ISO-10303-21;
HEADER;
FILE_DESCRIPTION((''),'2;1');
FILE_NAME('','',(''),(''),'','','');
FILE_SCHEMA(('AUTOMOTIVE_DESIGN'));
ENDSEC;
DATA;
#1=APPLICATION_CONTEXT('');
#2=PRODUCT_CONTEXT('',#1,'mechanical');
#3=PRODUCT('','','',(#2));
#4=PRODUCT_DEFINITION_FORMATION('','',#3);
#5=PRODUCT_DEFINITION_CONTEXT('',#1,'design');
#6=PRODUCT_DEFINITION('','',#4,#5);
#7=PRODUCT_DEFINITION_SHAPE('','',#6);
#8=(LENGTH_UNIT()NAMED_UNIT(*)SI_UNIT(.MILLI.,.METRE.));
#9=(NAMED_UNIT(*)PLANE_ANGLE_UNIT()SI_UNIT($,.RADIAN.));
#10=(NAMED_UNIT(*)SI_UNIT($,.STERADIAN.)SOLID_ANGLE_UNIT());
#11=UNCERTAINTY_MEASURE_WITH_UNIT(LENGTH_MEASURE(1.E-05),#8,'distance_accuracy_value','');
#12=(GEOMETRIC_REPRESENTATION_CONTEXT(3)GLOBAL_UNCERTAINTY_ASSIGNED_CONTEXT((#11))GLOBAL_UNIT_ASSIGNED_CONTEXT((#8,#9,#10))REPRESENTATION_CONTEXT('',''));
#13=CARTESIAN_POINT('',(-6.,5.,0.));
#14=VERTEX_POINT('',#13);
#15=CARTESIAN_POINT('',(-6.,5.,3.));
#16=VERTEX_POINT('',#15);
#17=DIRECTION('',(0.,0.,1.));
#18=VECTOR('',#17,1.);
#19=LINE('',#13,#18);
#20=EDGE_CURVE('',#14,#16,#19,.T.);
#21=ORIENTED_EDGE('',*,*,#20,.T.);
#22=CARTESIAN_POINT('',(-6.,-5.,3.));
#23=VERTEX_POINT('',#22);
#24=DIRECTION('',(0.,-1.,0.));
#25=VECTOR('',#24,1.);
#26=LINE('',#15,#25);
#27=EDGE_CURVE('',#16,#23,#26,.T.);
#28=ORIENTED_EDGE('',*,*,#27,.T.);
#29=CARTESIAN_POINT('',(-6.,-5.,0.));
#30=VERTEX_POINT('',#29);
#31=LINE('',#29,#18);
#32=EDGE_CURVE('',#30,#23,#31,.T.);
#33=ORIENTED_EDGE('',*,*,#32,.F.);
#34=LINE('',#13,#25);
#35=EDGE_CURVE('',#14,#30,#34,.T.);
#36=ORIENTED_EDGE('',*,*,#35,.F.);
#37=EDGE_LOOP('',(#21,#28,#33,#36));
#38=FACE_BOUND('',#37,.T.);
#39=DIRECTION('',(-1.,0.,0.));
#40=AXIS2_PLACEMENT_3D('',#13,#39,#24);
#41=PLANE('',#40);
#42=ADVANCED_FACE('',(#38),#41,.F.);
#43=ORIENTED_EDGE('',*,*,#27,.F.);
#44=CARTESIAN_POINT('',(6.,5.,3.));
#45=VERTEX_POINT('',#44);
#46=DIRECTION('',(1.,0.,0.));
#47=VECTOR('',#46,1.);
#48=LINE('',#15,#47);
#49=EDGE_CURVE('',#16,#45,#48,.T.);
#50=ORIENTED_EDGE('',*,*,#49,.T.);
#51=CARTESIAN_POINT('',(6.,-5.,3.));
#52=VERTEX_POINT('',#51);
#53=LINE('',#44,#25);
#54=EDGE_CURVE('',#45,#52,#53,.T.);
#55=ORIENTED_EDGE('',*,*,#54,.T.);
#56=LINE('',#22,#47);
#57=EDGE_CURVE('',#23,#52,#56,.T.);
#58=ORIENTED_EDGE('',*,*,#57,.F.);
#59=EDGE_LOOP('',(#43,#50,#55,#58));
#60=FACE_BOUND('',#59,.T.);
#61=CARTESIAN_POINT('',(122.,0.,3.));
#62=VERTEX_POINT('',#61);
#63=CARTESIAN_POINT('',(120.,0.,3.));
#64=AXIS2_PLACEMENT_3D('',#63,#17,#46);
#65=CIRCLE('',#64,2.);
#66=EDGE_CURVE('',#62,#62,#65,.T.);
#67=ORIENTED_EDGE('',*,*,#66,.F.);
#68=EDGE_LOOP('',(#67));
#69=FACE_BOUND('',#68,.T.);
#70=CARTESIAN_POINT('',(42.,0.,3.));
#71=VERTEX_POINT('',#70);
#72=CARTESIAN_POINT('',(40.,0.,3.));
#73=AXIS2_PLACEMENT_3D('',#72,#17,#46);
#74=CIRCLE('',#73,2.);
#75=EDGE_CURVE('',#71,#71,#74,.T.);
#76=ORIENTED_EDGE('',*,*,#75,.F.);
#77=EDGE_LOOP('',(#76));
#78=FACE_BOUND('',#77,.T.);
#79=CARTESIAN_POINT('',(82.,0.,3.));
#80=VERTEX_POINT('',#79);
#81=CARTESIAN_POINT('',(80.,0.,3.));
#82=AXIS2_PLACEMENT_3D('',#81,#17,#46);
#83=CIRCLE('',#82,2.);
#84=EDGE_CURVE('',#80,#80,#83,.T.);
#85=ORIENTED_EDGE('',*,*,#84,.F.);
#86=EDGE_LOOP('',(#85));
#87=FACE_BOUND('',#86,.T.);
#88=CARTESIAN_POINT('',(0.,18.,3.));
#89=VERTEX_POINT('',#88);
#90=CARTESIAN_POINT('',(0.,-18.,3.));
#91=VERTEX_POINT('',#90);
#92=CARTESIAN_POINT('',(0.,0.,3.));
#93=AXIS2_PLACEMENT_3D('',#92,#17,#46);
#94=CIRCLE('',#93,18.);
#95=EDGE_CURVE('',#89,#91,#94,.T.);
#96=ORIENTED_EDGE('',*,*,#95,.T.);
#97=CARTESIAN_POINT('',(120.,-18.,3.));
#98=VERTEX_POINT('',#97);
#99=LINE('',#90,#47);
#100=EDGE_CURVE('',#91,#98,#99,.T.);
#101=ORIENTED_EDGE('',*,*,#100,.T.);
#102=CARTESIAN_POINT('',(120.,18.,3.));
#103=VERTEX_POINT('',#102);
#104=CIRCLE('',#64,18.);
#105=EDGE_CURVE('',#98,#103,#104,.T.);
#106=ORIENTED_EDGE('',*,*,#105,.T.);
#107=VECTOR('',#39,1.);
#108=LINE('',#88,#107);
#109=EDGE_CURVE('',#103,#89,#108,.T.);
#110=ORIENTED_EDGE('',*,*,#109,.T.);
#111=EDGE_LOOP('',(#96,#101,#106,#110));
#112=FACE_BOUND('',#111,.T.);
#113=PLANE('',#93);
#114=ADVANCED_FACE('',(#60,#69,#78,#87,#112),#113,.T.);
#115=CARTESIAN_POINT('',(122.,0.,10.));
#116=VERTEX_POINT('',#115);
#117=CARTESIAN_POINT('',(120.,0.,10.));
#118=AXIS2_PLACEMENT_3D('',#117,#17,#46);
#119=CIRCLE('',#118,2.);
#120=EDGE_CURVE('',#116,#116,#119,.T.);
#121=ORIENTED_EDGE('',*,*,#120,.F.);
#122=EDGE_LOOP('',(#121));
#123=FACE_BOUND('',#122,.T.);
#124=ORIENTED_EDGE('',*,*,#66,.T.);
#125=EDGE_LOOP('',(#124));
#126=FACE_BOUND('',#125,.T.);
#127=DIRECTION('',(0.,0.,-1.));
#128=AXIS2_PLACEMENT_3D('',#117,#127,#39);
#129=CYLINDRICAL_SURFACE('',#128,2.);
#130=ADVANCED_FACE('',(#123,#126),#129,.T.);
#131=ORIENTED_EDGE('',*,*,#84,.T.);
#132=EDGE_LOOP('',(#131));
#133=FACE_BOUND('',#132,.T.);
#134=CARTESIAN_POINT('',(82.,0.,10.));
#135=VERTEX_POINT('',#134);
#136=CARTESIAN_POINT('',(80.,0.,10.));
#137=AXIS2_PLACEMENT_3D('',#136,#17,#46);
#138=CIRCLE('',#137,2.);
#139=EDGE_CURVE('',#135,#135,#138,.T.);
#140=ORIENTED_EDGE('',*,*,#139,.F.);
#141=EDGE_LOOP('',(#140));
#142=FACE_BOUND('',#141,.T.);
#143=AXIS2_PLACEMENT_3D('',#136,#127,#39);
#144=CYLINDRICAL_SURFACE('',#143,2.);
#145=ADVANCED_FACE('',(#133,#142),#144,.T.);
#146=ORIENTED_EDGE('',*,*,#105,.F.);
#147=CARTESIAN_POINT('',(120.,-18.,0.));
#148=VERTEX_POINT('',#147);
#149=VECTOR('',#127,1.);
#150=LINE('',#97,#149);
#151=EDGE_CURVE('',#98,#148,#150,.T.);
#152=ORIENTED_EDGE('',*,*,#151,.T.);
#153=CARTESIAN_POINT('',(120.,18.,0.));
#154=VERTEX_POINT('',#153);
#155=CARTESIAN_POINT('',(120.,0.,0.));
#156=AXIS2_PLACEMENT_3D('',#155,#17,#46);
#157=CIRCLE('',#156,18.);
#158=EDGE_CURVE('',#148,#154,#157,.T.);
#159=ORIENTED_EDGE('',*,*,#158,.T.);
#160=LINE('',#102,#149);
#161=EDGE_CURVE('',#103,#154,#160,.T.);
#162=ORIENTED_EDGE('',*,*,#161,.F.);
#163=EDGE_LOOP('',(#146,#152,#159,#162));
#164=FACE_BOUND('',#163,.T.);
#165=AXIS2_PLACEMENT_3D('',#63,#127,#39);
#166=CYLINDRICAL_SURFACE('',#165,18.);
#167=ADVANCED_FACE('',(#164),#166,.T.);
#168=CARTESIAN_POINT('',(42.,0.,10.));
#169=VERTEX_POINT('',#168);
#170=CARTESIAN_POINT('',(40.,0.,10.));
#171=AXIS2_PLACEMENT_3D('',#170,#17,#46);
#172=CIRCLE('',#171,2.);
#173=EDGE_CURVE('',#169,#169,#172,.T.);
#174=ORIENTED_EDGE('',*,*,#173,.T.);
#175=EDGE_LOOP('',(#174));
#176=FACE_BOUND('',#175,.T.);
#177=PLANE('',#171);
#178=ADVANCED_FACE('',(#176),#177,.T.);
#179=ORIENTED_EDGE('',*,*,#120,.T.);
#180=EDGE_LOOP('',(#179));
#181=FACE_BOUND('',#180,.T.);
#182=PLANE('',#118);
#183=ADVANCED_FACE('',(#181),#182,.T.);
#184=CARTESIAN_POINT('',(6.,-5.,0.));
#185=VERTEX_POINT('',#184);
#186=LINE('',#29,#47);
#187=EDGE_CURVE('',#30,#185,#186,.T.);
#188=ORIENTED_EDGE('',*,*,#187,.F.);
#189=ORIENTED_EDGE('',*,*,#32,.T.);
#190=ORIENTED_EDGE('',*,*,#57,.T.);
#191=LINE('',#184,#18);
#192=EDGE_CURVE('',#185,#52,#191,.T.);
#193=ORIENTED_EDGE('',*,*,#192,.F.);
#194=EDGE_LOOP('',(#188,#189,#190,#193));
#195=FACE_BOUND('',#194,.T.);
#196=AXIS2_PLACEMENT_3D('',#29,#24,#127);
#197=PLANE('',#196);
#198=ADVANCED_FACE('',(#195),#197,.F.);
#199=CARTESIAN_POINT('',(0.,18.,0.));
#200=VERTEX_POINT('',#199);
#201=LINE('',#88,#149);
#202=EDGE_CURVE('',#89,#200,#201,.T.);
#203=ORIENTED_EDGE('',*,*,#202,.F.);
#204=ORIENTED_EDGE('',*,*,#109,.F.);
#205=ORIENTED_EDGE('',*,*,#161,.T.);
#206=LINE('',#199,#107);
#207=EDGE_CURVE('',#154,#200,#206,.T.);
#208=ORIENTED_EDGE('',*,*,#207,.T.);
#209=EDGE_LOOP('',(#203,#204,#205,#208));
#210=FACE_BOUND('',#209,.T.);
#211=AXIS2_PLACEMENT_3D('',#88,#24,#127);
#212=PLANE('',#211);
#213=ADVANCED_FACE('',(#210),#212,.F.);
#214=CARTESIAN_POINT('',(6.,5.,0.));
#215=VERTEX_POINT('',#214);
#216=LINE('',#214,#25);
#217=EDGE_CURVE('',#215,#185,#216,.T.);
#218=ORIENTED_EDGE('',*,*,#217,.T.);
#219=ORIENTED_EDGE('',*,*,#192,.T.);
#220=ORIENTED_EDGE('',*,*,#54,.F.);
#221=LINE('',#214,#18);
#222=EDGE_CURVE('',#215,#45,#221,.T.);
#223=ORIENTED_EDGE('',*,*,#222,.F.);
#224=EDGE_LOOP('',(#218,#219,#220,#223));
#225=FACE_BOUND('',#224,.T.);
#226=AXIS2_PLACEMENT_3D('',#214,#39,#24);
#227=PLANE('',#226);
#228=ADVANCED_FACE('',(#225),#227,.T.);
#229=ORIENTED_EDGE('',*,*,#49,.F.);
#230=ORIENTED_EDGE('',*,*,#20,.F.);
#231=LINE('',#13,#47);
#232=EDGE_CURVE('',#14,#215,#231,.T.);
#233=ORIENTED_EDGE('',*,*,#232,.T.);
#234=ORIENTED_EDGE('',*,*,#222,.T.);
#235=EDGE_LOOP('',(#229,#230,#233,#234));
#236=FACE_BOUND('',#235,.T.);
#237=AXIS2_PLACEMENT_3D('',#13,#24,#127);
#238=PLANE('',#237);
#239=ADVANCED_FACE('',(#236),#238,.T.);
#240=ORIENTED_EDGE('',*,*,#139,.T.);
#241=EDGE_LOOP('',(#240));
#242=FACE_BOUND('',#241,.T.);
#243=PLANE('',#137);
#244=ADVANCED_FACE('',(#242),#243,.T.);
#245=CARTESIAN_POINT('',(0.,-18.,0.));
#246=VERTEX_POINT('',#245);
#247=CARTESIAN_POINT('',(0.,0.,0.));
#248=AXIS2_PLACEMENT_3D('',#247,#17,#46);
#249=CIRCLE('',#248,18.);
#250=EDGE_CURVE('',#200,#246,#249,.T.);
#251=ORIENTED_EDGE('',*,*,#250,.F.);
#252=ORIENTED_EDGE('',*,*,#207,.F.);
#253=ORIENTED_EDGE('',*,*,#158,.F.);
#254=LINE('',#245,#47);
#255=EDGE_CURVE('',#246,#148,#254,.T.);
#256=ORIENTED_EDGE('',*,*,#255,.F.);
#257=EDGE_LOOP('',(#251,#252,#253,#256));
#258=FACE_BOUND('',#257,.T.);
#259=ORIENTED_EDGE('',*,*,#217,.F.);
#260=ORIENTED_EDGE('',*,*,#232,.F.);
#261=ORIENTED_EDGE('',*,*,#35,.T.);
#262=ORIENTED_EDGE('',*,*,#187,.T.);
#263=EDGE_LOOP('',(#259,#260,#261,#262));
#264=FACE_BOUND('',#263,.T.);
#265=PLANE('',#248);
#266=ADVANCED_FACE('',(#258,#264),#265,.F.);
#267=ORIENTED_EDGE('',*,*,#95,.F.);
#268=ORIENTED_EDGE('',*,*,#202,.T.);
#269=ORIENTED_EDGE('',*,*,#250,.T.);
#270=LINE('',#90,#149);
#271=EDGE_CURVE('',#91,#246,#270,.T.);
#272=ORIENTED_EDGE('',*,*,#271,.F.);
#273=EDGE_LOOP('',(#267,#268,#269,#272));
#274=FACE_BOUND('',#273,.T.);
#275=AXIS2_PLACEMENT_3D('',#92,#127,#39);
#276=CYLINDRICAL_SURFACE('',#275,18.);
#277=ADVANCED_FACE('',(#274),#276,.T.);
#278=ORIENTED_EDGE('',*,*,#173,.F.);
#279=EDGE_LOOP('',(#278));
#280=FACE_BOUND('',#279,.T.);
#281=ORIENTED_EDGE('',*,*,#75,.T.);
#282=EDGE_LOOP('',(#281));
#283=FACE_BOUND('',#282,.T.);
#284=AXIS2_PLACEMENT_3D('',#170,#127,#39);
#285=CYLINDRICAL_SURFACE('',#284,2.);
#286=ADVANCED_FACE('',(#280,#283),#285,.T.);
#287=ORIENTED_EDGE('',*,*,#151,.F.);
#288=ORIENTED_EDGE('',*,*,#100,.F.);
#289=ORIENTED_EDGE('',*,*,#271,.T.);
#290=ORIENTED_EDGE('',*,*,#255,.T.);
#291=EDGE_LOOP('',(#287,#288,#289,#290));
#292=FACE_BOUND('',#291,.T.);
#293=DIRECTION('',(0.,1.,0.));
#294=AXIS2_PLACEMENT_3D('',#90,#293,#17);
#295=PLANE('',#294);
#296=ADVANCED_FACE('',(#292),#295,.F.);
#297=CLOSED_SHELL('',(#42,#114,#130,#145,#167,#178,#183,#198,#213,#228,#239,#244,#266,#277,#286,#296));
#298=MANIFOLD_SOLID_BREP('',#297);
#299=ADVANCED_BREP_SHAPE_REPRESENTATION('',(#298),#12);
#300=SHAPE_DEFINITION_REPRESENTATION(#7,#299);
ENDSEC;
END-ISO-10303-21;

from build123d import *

# Parameters (mm, degrees)
BOSS_EXTRUDE1_DEPTH = 3
SKETCH3_W           = 12
SKETCH3_H           = 10
CUT_EXTRUDE1_DEPTH  = 3
SKETCH5_R           = 2
BOSS_EXTRUDE2_DEPTH = 7
LPATTERN1_COUNT     = 4
LPATTERN1_PITCH     = 40


with BuildPart() as part:
    # Sketch2 → Boss-Extrude1 (new body)
    with BuildSketch(Plane.XY):
        with BuildLine():
            Line((0, 18), (120, 18))
            ThreePointArc((120, 18), (138, 0), (120, -18))
            Line((120, -18), (0, -18))
            ThreePointArc((0, -18), (-18, 0), (0, 18))
        make_face()
    extrude(amount=BOSS_EXTRUDE1_DEPTH)

    # Sketch3 → Cut-Extrude1 (cut)
    with BuildSketch(Plane.XY.offset(3)):
        Rectangle(SKETCH3_W, SKETCH3_H)
    extrude(amount=-CUT_EXTRUDE1_DEPTH, mode=Mode.SUBTRACT)

    # Sketch5 → Boss-Extrude2 (add)
    with BuildSketch(Plane.XY.offset(3)):
        with Locations((120, 0)):
            Circle(SKETCH5_R)
    boss_extrude2 = extrude(amount=BOSS_EXTRUDE2_DEPTH)

    # LPattern1: Boss-Extrude2 ×4, 1 skipped
    with Locations(*[(-i * LPATTERN1_PITCH, 0, 0) for i in range(1, LPATTERN1_COUNT) if i not in (3,)]):
        add(boss_extrude2)


solid = part.part
